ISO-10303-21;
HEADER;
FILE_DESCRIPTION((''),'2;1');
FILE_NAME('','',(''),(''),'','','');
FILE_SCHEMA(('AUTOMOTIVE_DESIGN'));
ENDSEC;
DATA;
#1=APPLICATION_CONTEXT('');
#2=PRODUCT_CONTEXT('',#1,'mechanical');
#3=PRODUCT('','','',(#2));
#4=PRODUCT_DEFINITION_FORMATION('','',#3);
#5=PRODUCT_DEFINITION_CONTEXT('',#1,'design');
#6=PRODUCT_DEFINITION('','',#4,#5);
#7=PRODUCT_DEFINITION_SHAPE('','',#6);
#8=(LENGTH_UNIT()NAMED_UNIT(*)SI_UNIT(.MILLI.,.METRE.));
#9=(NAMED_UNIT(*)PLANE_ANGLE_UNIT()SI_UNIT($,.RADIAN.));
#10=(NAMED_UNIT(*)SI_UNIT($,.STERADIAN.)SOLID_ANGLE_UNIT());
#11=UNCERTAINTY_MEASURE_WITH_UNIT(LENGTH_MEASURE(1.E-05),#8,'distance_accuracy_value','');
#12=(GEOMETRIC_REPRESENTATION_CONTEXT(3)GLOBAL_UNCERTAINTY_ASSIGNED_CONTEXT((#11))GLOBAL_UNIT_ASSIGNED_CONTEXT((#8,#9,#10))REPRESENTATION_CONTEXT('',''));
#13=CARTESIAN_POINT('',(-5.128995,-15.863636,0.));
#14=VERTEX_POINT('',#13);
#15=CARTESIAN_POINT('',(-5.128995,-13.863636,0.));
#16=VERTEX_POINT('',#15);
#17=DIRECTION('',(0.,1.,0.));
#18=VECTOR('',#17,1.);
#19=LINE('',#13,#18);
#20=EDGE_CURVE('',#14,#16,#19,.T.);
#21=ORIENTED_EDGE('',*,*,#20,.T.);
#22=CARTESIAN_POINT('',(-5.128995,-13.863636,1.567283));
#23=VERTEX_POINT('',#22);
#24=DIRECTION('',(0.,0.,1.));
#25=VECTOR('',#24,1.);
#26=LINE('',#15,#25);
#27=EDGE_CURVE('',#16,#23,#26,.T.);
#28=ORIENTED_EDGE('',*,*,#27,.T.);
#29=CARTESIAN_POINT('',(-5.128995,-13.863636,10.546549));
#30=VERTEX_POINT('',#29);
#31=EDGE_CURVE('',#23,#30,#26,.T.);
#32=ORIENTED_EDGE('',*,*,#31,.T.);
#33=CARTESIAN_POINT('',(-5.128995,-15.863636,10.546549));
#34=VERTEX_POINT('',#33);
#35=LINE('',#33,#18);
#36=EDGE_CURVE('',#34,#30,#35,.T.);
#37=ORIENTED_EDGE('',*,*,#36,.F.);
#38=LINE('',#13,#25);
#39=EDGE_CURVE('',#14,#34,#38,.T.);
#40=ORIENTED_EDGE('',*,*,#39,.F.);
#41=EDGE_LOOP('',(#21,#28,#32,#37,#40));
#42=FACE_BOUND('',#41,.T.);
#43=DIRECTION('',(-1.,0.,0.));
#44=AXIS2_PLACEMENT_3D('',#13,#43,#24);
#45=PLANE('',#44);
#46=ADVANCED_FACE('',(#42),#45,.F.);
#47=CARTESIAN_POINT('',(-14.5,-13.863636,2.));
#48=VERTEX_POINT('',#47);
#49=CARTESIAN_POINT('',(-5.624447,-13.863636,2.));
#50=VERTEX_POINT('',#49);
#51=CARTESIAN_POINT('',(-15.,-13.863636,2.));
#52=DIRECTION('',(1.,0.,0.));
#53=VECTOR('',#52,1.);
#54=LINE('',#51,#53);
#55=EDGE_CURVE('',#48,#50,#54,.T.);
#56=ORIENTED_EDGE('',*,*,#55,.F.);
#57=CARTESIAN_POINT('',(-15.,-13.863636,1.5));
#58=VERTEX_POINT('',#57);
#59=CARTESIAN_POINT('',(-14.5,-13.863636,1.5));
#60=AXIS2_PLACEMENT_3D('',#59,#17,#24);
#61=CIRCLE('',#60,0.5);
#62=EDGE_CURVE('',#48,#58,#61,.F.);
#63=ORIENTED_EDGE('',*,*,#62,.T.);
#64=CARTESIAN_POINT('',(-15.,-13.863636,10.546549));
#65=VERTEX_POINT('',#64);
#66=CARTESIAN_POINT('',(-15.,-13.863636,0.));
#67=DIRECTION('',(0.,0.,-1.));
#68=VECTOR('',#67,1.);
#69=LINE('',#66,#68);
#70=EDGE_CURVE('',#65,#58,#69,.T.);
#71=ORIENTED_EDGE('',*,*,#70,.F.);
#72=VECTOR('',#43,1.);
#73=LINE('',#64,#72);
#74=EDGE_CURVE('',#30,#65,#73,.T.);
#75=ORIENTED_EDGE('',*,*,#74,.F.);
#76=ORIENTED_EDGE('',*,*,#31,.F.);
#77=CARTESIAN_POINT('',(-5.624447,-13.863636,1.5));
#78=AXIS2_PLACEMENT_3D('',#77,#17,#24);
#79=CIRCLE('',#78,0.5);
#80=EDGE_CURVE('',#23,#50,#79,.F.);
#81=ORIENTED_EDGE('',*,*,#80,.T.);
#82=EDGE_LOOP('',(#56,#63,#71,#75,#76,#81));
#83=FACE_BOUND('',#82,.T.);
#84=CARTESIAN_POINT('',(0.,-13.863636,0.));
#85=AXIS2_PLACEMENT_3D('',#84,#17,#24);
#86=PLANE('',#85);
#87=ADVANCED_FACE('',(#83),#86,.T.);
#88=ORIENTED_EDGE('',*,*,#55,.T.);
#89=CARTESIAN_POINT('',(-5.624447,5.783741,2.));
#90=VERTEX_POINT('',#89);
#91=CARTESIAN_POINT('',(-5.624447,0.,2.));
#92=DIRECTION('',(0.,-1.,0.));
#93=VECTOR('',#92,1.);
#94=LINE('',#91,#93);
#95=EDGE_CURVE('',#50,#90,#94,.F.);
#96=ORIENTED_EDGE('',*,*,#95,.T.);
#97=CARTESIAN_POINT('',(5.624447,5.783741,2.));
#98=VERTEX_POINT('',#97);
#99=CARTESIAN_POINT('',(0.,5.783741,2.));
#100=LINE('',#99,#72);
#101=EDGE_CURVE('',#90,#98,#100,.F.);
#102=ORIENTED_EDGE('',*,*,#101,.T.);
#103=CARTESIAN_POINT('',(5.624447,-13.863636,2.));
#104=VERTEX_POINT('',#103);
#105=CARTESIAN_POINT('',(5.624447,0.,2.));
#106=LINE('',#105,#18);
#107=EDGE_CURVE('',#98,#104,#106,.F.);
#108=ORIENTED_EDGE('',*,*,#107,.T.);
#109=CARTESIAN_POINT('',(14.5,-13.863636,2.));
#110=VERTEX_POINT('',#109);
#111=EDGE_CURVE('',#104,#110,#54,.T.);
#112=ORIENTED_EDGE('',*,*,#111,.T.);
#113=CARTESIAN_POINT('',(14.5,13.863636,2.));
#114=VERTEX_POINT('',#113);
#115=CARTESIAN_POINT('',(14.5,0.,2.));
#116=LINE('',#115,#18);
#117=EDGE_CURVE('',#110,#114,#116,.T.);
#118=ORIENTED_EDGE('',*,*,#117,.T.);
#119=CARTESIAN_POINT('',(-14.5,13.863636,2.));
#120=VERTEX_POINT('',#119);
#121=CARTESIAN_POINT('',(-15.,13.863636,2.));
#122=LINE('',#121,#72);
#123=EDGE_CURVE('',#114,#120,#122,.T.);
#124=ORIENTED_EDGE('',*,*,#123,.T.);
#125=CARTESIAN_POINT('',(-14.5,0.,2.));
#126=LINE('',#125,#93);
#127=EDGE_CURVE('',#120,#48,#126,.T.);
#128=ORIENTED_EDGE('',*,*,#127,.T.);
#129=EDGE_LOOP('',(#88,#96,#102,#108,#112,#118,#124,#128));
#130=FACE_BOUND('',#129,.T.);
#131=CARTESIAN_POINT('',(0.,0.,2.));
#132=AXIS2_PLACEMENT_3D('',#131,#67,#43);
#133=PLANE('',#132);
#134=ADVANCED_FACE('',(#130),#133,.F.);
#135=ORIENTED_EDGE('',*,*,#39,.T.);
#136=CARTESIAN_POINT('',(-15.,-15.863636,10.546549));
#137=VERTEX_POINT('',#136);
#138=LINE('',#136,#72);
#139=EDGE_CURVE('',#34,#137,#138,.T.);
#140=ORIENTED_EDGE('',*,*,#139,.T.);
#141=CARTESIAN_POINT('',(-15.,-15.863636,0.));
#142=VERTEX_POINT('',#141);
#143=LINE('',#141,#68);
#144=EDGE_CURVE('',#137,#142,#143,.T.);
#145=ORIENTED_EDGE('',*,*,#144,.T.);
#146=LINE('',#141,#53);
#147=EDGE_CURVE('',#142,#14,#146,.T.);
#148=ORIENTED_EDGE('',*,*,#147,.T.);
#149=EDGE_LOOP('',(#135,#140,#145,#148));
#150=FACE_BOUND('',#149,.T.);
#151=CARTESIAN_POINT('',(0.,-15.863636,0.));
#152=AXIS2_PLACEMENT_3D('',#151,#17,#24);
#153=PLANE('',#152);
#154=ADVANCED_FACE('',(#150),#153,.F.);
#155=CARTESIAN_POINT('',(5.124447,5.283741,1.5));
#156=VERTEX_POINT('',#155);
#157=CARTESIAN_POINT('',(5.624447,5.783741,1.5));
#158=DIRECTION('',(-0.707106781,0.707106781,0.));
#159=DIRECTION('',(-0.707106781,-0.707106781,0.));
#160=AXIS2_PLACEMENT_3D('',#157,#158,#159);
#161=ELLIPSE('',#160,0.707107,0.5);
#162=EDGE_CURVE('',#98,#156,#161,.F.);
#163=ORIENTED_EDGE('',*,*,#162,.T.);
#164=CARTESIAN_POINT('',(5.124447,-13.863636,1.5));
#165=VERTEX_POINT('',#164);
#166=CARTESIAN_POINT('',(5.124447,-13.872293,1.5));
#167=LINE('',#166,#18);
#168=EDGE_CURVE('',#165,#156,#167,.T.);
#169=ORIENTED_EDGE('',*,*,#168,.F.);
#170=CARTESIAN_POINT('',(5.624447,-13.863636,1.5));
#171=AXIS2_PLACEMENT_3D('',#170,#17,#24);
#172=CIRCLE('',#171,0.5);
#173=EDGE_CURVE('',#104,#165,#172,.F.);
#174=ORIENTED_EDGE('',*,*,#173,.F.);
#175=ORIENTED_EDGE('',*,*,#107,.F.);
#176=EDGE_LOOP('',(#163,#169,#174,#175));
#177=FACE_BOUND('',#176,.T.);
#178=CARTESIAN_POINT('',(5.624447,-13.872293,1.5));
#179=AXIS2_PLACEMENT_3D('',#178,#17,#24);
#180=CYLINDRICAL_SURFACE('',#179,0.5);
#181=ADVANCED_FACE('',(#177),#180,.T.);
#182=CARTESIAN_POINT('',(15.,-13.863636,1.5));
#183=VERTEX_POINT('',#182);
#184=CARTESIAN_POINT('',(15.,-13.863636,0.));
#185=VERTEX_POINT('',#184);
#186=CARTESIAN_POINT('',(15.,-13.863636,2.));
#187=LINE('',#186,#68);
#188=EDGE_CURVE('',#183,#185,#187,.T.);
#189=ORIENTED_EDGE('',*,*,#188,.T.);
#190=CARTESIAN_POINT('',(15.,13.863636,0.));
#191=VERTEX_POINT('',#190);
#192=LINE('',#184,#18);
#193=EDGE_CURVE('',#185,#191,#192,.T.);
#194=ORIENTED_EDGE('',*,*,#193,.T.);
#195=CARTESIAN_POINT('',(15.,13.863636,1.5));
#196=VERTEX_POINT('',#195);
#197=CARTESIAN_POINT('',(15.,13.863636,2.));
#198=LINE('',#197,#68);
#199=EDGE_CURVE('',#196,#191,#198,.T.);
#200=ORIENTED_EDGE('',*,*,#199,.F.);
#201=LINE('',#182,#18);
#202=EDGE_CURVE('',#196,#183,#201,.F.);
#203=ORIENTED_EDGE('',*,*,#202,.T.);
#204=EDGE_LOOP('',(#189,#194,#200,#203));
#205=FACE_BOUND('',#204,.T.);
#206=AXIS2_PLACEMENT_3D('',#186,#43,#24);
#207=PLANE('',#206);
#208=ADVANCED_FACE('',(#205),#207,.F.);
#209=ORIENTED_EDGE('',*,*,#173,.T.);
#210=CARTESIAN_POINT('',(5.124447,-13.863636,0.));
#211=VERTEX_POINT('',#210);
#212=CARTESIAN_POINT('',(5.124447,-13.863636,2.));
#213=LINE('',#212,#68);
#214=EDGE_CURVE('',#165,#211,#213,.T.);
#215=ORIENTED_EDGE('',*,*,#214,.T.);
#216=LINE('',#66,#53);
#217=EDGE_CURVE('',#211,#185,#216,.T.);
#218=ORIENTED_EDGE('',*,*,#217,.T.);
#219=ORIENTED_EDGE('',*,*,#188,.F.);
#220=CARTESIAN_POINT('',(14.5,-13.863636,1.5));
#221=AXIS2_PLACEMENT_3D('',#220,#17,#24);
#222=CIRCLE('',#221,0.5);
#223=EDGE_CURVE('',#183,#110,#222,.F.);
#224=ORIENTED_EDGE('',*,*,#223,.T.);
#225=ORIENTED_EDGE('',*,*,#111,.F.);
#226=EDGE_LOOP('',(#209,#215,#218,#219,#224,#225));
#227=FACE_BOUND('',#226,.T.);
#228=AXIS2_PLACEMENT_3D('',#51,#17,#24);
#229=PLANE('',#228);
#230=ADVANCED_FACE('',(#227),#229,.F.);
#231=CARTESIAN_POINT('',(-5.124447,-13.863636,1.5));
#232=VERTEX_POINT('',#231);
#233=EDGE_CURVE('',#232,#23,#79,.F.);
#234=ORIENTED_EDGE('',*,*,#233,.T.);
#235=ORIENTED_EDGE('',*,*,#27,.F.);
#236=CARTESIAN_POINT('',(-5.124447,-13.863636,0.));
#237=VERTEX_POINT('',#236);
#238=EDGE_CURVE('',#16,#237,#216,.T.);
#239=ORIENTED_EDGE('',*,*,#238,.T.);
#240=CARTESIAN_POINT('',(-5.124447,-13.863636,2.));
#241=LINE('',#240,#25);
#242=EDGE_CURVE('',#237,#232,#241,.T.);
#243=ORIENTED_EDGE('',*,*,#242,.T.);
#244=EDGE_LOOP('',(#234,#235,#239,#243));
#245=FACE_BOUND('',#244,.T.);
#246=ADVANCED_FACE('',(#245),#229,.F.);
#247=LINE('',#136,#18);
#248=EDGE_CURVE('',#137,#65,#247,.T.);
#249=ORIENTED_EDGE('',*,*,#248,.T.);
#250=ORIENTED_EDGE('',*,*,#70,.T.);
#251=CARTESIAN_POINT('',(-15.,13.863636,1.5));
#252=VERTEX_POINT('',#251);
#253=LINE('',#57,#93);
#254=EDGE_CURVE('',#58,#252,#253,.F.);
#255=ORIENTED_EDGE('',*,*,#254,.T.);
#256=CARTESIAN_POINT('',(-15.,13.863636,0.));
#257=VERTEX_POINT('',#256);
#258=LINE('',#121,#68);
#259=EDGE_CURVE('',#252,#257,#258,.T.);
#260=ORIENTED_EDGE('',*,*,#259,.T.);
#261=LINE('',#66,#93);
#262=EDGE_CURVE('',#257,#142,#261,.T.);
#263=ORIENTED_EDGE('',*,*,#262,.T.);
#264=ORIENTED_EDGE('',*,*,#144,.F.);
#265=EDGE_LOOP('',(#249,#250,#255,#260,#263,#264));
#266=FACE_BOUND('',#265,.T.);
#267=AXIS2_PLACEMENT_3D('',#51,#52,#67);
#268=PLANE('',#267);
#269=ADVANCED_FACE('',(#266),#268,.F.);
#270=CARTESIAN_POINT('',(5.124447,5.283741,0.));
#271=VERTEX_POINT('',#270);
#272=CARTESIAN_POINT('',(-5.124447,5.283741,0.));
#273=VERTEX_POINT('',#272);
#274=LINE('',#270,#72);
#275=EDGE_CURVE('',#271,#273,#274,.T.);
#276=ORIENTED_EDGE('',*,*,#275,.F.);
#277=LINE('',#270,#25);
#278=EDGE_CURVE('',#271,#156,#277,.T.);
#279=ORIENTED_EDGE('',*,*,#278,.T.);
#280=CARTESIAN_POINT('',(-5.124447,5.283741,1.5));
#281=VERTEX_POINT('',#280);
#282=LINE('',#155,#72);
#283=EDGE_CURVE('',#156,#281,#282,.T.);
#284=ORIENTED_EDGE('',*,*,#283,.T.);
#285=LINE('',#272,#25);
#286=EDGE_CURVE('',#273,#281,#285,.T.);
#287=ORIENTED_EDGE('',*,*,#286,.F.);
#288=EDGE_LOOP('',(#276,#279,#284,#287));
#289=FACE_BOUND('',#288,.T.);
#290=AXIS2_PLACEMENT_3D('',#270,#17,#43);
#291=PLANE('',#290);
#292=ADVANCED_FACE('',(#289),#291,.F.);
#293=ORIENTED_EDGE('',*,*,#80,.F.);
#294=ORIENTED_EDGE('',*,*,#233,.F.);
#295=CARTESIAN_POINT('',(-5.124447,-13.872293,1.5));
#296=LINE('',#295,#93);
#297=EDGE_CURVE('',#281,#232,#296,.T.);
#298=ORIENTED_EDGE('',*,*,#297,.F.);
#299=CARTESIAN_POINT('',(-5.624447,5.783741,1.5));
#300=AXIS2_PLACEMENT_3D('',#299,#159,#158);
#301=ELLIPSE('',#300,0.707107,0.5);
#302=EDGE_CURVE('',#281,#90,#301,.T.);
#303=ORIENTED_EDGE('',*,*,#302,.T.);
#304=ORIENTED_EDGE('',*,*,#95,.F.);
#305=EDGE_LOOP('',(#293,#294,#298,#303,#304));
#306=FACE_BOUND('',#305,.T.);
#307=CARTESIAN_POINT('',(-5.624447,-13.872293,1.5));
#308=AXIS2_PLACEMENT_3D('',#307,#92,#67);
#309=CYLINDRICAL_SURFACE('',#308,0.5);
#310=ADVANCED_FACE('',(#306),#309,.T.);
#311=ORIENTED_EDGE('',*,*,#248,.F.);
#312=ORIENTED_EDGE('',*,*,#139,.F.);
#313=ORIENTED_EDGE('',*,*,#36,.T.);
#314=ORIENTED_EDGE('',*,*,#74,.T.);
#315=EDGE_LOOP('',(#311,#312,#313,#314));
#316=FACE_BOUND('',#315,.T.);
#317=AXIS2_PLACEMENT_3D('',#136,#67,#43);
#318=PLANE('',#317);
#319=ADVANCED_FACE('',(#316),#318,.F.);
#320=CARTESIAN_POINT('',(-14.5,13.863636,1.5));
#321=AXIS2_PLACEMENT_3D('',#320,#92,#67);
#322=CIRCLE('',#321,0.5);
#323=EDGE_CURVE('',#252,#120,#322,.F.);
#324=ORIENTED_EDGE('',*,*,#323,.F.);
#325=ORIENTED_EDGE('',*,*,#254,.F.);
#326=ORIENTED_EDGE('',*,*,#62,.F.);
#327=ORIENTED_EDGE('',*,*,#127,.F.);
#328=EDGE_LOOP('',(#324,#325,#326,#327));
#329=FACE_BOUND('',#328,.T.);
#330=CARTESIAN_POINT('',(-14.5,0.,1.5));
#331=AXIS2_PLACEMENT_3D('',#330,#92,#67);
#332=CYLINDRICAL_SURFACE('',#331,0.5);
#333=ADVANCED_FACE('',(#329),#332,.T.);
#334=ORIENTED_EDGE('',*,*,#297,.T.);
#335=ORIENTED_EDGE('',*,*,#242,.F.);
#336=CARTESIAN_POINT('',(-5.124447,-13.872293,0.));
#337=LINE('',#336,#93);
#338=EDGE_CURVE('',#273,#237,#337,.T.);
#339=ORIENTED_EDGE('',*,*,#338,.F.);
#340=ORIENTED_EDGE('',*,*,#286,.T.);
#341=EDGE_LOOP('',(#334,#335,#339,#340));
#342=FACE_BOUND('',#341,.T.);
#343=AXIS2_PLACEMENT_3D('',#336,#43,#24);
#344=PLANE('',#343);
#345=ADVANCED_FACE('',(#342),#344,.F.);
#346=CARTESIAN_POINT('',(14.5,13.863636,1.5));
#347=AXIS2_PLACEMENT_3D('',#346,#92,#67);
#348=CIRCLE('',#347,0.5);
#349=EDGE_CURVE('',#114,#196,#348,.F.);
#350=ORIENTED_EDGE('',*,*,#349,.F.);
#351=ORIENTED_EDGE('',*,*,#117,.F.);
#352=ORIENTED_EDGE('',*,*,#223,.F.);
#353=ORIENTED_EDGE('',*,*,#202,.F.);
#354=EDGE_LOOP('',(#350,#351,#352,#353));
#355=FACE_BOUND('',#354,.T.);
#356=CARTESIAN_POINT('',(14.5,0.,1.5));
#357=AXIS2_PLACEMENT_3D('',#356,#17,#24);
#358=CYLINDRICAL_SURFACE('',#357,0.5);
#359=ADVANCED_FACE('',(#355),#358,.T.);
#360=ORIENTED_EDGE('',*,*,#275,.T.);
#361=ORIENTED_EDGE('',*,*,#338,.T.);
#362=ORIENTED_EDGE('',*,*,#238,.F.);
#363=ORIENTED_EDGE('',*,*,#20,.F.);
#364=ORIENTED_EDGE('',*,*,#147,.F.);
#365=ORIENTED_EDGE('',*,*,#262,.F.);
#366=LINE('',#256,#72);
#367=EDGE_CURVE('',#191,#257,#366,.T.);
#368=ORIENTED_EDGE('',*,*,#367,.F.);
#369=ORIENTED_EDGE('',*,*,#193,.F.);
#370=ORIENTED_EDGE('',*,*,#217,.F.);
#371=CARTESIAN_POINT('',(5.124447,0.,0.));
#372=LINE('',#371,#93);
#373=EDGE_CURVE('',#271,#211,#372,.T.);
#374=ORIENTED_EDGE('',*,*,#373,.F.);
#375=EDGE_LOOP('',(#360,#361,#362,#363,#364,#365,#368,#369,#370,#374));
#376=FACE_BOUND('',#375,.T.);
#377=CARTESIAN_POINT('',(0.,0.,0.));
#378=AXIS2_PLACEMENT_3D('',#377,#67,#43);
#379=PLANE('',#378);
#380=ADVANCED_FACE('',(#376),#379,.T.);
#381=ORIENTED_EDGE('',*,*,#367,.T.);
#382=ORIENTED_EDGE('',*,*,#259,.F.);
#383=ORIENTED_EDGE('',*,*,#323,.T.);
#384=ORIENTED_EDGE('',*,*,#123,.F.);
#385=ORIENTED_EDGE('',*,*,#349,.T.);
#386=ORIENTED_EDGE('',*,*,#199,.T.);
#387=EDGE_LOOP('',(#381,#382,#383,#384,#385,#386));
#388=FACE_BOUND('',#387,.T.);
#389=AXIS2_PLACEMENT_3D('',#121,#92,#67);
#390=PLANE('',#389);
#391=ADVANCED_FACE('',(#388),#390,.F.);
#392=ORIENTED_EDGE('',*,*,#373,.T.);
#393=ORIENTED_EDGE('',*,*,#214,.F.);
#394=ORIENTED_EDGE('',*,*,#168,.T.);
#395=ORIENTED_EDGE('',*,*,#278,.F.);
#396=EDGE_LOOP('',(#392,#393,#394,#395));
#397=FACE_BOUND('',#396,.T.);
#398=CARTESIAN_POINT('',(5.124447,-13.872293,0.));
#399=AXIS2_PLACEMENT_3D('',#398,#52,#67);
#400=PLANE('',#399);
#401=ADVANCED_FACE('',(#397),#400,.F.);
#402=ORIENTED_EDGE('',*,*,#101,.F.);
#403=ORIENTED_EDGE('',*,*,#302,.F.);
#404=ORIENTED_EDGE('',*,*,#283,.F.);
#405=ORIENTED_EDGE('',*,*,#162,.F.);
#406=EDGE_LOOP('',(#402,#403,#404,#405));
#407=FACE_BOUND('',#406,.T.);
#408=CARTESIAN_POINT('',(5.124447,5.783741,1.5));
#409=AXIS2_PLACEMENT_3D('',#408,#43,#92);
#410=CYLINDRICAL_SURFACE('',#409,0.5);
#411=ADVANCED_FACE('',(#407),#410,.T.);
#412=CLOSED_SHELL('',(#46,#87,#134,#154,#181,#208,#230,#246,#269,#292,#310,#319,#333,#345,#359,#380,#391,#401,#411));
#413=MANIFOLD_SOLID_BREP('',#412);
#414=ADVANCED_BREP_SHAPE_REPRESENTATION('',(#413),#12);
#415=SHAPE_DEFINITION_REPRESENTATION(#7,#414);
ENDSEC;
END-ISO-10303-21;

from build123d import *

# Parameters (mm, degrees)
SKETCH1_W           = 30
SKETCH1_H           = 27.727272728
BOSS_EXTRUDE1_DEPTH = 2
SKETCH2_W           = 10.248894408
SKETCH2_H           = 19.156033471
CUT_EXTRUDE1_DEPTH  = 2
FILLET1_R           = 0.5
FILLET2_R           = 0.5
FILLET3_R           = 0.5
FILLET4_R           = 0.5
FILLET5_R           = 0.5
SKETCH3_W           = 9.871005128
SKETCH3_H           = 10.546548519
BOSS_EXTRUDE2_DEPTH = 2


with BuildPart() as part:
    # Sketch1 → Boss-Extrude1 (new body)
    with BuildSketch(Plane.XY):
        Rectangle(SKETCH1_W, SKETCH1_H)
    extrude(amount=BOSS_EXTRUDE1_DEPTH)

    # Sketch2 → Cut-Extrude1 (cut)
    with BuildSketch(Plane.XY.offset(2)):
        with Locations((0, -4.294276099)):
            Rectangle(SKETCH2_W, SKETCH2_H)
    extrude(amount=-CUT_EXTRUDE1_DEPTH, mode=Mode.SUBTRACT)

    # Fillet1
    fillet1_edges = [part.edges().sort_by_distance(p)[0] for p in [
        (-15, 0, 2),
    ]]
    fillet(fillet1_edges, radius=FILLET1_R)

    # Fillet2
    fillet2_edges = [part.edges().sort_by_distance(p)[0] for p in [
        (15, 0, 2),
    ]]
    fillet(fillet2_edges, radius=FILLET2_R)

    # Fillet3
    fillet3_edges = [part.edges().sort_by_distance(p)[0] for p in [
        (-5.124447204, -4.289947863, 2),
    ]]
    fillet(fillet3_edges, radius=FILLET3_R)

    # Fillet4
    fillet4_edges = [part.edges().sort_by_distance(p)[0] for p in [
        (5.124447204, -4.289947863, 2),
    ]]
    fillet(fillet4_edges, radius=FILLET4_R)

    # Fillet5
    fillet5_edges = [part.edges().sort_by_distance(p)[0] for p in [
        (0, 5.283740637, 2),
    ]]
    fillet(fillet5_edges, radius=FILLET5_R)

    # Sketch3 → Boss-Extrude2 (add)
    with BuildSketch(Plane(origin=(0, -13.863636364, 0), x_dir=(-1, 0, 0), z_dir=(0, -1, 0))):
        with Locations((10.064497436, -5.273274259)):
            Rectangle(SKETCH3_W, SKETCH3_H)
    extrude(amount=BOSS_EXTRUDE2_DEPTH)


solid = part.part
